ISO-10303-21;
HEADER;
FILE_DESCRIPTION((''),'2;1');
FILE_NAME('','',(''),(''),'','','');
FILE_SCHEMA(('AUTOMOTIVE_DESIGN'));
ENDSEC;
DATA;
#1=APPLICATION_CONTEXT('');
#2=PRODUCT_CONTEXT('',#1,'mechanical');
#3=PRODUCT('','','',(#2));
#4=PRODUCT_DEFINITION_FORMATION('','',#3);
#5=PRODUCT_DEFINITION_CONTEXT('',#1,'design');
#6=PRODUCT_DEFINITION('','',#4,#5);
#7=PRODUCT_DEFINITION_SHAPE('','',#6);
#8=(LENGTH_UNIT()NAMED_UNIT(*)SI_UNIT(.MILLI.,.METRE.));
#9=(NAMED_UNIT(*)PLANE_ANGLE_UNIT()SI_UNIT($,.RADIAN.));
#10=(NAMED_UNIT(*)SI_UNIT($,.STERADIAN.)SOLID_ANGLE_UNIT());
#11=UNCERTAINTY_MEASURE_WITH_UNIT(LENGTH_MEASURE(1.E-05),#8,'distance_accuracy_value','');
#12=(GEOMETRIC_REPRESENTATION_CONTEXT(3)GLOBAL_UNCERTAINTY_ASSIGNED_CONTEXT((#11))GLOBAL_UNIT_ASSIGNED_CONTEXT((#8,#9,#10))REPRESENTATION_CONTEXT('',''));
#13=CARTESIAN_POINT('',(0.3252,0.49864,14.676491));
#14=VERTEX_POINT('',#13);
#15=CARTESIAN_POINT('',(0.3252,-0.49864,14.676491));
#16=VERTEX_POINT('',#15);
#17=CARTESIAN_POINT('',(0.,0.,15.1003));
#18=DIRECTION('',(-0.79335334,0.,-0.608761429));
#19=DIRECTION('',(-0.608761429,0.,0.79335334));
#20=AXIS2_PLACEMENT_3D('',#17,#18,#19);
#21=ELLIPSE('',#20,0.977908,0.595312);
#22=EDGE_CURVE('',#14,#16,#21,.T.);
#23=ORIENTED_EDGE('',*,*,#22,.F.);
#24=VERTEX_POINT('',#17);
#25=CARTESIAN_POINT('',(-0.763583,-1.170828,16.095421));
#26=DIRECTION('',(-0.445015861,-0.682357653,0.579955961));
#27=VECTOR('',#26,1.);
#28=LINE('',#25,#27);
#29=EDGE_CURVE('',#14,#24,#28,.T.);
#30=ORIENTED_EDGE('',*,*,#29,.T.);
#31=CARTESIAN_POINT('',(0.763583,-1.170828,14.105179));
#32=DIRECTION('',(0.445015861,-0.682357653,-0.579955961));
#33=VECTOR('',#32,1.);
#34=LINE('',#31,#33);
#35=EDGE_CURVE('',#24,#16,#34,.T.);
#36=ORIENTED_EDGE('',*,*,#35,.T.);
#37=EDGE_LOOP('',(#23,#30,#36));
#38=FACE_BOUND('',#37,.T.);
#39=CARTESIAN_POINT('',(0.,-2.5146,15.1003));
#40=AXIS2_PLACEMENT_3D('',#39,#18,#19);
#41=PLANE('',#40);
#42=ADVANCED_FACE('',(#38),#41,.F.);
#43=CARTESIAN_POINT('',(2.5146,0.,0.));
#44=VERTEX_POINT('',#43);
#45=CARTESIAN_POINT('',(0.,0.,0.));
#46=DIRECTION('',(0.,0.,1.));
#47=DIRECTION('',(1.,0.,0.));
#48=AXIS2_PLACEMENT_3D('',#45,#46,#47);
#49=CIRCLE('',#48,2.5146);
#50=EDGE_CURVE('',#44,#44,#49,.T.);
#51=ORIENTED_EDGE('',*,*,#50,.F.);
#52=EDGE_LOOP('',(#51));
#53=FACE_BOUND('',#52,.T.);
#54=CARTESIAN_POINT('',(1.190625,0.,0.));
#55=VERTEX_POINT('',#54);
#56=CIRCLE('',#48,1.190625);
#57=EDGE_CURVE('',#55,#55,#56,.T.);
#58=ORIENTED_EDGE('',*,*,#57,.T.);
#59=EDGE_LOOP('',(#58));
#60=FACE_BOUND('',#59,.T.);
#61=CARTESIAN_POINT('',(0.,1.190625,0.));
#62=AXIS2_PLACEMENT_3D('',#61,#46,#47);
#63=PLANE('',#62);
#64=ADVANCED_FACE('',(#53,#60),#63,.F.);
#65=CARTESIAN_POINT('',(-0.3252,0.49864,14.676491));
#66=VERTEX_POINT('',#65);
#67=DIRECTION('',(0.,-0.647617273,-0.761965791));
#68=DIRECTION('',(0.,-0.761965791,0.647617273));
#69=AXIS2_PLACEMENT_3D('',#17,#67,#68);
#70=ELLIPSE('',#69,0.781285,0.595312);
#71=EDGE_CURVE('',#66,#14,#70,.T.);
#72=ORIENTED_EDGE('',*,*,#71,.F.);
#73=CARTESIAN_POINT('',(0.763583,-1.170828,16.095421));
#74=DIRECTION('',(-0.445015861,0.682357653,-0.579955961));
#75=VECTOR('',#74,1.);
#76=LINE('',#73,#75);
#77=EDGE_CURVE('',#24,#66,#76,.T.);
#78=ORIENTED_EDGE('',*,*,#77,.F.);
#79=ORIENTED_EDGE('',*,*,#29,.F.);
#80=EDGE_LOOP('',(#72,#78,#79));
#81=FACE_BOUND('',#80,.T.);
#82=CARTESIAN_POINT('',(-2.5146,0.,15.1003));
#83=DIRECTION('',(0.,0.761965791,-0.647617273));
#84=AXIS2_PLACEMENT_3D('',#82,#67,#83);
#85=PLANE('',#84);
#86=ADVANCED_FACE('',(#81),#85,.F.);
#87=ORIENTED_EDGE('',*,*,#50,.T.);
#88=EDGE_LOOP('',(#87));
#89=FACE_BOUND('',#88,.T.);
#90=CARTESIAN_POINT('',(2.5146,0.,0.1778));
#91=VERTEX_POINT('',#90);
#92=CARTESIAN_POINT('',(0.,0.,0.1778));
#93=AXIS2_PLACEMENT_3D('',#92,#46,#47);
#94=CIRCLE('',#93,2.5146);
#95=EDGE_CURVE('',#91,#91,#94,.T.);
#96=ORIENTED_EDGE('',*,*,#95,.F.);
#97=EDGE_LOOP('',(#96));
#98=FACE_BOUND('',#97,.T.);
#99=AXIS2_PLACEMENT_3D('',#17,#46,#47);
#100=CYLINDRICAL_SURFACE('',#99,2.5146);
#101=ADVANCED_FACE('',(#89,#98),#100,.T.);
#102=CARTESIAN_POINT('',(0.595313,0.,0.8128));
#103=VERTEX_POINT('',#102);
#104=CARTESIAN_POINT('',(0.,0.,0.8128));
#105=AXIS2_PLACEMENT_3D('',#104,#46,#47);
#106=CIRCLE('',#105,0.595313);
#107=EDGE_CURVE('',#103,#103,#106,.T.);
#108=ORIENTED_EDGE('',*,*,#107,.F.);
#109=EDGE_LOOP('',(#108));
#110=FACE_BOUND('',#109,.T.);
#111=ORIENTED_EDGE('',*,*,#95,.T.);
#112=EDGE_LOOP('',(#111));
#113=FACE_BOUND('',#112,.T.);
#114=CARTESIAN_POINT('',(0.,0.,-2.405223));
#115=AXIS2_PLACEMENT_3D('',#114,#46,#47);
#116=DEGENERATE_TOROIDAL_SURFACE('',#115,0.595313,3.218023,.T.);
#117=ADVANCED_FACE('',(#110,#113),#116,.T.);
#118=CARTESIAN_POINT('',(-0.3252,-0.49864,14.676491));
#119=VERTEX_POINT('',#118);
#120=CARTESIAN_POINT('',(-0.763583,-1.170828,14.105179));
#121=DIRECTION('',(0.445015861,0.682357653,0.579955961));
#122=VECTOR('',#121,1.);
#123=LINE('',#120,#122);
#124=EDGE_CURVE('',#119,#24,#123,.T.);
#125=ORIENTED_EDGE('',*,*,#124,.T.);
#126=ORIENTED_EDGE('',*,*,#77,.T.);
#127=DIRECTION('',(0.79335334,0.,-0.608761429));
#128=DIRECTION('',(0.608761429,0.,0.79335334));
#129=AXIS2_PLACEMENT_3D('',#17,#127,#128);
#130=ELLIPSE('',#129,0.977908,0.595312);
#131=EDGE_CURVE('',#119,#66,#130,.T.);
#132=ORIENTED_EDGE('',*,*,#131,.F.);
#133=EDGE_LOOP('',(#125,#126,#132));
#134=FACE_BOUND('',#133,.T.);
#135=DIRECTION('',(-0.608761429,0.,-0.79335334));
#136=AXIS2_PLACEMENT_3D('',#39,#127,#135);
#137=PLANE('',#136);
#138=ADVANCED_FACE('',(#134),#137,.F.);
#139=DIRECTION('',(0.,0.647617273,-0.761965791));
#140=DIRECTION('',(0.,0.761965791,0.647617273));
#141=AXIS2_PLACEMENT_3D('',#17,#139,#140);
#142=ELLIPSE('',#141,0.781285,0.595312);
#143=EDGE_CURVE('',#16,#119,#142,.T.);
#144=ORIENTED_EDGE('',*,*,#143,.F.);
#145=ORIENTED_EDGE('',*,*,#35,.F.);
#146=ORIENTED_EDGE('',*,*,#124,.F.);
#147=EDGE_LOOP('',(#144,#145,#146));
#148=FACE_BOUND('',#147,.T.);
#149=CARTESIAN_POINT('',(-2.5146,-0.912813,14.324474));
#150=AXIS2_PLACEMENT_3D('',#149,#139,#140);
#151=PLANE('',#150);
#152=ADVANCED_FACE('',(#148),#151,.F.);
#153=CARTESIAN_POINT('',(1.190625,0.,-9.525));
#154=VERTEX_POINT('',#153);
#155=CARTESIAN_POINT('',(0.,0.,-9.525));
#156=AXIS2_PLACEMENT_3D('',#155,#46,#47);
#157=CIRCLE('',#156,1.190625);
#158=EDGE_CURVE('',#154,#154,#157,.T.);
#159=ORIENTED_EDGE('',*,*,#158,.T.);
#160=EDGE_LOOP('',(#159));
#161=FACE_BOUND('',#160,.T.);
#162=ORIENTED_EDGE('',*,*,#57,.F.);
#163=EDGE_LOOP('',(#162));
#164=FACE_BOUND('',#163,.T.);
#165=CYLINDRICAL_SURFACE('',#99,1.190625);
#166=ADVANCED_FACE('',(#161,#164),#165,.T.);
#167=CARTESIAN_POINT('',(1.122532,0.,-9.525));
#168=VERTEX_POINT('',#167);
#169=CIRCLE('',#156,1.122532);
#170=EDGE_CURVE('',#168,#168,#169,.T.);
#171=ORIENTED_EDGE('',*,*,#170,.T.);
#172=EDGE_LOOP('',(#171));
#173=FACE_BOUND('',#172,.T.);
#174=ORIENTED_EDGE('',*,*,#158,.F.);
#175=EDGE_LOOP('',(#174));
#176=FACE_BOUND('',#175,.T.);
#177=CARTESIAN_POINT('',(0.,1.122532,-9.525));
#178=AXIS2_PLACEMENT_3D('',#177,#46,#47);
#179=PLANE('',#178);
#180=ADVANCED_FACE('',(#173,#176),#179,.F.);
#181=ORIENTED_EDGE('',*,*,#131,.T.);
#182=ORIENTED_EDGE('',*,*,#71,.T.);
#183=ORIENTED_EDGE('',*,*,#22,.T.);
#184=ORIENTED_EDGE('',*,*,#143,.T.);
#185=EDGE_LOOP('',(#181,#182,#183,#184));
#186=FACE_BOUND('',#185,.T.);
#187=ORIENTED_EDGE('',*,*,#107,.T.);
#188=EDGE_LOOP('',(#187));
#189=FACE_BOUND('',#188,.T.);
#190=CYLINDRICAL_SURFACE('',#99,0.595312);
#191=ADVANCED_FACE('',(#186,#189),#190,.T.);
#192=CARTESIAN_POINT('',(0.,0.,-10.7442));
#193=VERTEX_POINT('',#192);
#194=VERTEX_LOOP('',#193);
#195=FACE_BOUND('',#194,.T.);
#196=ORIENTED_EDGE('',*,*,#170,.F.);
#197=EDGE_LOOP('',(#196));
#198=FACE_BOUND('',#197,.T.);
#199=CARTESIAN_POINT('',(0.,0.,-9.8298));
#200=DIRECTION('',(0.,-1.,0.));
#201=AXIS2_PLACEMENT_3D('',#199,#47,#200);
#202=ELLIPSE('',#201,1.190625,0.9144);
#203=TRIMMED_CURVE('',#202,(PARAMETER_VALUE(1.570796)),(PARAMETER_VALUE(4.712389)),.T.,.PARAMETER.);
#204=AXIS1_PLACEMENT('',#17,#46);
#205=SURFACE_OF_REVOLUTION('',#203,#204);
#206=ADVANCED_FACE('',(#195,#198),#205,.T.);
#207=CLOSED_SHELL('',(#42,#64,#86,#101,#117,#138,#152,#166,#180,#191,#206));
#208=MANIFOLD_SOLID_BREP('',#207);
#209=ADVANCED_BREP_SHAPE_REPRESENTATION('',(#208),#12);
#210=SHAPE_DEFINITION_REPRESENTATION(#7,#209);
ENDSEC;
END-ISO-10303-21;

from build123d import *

# Parameters (mm, degrees)
CUT_EXTRUDE1_DEPTH      = 16.51339703
CUT_EXTRUDE1_DEPTH_BACK = 16.51339703
CUT_EXTRUDE2_DEPTH      = 16.51339703
CUT_EXTRUDE2_DEPTH_BACK = 16.51339703


with BuildPart() as part:
    # Sketch2 → Revolve1 (revolve)
    with BuildSketch(Plane(origin=(0, 0, 0), x_dir=(0, 0, -1), z_dir=(1, 0, 0)), mode=Mode.PRIVATE) as revolve1_sk:
        with BuildLine():
            Line((-15.1003, 0), (-15.1003, 0.5953125))
            Line((-15.1003, 0.5953125), (-0.8128, 0.5953125))
            ThreePointArc((-0.8128, 0.5953125), (-0.649928343, 1.606115338), (-0.1778, 2.5146))
            Line((-0.1778, 2.5146), (0, 2.5146))
            Line((0, 2.5146), (0, 1.190625))
            Line((0, 1.190625), (9.525, 1.190625))
            Line((9.525, 1.190625), (9.525, 1.122532015))
            add(Edge.make_bspline(
                [(10.7442, 0), (10.7442, 1.683798023), (9.525, 1.122532015)],
                knots=[1.570796327, 1.570796327, 1.570796327, 3.481429563, 3.481429563, 3.481429563], degree=2, weights=[1, 0.577350269, 1]))
            Line((10.7442, 0), (9.525, 0))
            Line((9.525, 0), (-15.1003, 0))
        make_face()
    revolve(revolve1_sk.sketch.rotate(Axis((0, 0, 15.1003), (0, 0, -1)), 90), axis=Axis((0, 0, 15.1003), (0, 0, -1)))

    # Sketch3 → Cut-Extrude1 (cut, two sides: drawn at the far end of the back side and taken through both)
    with BuildSketch(Plane(origin=(0, 0, 0), x_dir=(1, 0, 0), z_dir=(0, 1, 0)).offset(-CUT_EXTRUDE1_DEPTH_BACK)):
        Polygon((0, -15.1003), (0.7985125, -14.059658249), (0.7985125, -15.6083), (-0.7985125, -15.6083), (-0.7985125, -14.059658249), align=None)
    extrude(amount=CUT_EXTRUDE1_DEPTH + CUT_EXTRUDE1_DEPTH_BACK, mode=Mode.SUBTRACT)

    # Sketch5 → Cut-Extrude2 (cut, two sides: drawn at the far end of the back side and taken through both)
    with BuildSketch(Plane(origin=(0, 0, 0), x_dir=(0, 0, -1), z_dir=(1, 0, 0)).offset(-CUT_EXTRUDE2_DEPTH_BACK)):
        Polygon((-15.1003, 0), (-14.324473645, 0.9128125), (-15.4178, 0.9128125), (-15.4178, -0.9128125), (-14.324473645, -0.9128125), align=None)
    extrude(amount=CUT_EXTRUDE2_DEPTH + CUT_EXTRUDE2_DEPTH_BACK, mode=Mode.SUBTRACT)


solid = part.part
